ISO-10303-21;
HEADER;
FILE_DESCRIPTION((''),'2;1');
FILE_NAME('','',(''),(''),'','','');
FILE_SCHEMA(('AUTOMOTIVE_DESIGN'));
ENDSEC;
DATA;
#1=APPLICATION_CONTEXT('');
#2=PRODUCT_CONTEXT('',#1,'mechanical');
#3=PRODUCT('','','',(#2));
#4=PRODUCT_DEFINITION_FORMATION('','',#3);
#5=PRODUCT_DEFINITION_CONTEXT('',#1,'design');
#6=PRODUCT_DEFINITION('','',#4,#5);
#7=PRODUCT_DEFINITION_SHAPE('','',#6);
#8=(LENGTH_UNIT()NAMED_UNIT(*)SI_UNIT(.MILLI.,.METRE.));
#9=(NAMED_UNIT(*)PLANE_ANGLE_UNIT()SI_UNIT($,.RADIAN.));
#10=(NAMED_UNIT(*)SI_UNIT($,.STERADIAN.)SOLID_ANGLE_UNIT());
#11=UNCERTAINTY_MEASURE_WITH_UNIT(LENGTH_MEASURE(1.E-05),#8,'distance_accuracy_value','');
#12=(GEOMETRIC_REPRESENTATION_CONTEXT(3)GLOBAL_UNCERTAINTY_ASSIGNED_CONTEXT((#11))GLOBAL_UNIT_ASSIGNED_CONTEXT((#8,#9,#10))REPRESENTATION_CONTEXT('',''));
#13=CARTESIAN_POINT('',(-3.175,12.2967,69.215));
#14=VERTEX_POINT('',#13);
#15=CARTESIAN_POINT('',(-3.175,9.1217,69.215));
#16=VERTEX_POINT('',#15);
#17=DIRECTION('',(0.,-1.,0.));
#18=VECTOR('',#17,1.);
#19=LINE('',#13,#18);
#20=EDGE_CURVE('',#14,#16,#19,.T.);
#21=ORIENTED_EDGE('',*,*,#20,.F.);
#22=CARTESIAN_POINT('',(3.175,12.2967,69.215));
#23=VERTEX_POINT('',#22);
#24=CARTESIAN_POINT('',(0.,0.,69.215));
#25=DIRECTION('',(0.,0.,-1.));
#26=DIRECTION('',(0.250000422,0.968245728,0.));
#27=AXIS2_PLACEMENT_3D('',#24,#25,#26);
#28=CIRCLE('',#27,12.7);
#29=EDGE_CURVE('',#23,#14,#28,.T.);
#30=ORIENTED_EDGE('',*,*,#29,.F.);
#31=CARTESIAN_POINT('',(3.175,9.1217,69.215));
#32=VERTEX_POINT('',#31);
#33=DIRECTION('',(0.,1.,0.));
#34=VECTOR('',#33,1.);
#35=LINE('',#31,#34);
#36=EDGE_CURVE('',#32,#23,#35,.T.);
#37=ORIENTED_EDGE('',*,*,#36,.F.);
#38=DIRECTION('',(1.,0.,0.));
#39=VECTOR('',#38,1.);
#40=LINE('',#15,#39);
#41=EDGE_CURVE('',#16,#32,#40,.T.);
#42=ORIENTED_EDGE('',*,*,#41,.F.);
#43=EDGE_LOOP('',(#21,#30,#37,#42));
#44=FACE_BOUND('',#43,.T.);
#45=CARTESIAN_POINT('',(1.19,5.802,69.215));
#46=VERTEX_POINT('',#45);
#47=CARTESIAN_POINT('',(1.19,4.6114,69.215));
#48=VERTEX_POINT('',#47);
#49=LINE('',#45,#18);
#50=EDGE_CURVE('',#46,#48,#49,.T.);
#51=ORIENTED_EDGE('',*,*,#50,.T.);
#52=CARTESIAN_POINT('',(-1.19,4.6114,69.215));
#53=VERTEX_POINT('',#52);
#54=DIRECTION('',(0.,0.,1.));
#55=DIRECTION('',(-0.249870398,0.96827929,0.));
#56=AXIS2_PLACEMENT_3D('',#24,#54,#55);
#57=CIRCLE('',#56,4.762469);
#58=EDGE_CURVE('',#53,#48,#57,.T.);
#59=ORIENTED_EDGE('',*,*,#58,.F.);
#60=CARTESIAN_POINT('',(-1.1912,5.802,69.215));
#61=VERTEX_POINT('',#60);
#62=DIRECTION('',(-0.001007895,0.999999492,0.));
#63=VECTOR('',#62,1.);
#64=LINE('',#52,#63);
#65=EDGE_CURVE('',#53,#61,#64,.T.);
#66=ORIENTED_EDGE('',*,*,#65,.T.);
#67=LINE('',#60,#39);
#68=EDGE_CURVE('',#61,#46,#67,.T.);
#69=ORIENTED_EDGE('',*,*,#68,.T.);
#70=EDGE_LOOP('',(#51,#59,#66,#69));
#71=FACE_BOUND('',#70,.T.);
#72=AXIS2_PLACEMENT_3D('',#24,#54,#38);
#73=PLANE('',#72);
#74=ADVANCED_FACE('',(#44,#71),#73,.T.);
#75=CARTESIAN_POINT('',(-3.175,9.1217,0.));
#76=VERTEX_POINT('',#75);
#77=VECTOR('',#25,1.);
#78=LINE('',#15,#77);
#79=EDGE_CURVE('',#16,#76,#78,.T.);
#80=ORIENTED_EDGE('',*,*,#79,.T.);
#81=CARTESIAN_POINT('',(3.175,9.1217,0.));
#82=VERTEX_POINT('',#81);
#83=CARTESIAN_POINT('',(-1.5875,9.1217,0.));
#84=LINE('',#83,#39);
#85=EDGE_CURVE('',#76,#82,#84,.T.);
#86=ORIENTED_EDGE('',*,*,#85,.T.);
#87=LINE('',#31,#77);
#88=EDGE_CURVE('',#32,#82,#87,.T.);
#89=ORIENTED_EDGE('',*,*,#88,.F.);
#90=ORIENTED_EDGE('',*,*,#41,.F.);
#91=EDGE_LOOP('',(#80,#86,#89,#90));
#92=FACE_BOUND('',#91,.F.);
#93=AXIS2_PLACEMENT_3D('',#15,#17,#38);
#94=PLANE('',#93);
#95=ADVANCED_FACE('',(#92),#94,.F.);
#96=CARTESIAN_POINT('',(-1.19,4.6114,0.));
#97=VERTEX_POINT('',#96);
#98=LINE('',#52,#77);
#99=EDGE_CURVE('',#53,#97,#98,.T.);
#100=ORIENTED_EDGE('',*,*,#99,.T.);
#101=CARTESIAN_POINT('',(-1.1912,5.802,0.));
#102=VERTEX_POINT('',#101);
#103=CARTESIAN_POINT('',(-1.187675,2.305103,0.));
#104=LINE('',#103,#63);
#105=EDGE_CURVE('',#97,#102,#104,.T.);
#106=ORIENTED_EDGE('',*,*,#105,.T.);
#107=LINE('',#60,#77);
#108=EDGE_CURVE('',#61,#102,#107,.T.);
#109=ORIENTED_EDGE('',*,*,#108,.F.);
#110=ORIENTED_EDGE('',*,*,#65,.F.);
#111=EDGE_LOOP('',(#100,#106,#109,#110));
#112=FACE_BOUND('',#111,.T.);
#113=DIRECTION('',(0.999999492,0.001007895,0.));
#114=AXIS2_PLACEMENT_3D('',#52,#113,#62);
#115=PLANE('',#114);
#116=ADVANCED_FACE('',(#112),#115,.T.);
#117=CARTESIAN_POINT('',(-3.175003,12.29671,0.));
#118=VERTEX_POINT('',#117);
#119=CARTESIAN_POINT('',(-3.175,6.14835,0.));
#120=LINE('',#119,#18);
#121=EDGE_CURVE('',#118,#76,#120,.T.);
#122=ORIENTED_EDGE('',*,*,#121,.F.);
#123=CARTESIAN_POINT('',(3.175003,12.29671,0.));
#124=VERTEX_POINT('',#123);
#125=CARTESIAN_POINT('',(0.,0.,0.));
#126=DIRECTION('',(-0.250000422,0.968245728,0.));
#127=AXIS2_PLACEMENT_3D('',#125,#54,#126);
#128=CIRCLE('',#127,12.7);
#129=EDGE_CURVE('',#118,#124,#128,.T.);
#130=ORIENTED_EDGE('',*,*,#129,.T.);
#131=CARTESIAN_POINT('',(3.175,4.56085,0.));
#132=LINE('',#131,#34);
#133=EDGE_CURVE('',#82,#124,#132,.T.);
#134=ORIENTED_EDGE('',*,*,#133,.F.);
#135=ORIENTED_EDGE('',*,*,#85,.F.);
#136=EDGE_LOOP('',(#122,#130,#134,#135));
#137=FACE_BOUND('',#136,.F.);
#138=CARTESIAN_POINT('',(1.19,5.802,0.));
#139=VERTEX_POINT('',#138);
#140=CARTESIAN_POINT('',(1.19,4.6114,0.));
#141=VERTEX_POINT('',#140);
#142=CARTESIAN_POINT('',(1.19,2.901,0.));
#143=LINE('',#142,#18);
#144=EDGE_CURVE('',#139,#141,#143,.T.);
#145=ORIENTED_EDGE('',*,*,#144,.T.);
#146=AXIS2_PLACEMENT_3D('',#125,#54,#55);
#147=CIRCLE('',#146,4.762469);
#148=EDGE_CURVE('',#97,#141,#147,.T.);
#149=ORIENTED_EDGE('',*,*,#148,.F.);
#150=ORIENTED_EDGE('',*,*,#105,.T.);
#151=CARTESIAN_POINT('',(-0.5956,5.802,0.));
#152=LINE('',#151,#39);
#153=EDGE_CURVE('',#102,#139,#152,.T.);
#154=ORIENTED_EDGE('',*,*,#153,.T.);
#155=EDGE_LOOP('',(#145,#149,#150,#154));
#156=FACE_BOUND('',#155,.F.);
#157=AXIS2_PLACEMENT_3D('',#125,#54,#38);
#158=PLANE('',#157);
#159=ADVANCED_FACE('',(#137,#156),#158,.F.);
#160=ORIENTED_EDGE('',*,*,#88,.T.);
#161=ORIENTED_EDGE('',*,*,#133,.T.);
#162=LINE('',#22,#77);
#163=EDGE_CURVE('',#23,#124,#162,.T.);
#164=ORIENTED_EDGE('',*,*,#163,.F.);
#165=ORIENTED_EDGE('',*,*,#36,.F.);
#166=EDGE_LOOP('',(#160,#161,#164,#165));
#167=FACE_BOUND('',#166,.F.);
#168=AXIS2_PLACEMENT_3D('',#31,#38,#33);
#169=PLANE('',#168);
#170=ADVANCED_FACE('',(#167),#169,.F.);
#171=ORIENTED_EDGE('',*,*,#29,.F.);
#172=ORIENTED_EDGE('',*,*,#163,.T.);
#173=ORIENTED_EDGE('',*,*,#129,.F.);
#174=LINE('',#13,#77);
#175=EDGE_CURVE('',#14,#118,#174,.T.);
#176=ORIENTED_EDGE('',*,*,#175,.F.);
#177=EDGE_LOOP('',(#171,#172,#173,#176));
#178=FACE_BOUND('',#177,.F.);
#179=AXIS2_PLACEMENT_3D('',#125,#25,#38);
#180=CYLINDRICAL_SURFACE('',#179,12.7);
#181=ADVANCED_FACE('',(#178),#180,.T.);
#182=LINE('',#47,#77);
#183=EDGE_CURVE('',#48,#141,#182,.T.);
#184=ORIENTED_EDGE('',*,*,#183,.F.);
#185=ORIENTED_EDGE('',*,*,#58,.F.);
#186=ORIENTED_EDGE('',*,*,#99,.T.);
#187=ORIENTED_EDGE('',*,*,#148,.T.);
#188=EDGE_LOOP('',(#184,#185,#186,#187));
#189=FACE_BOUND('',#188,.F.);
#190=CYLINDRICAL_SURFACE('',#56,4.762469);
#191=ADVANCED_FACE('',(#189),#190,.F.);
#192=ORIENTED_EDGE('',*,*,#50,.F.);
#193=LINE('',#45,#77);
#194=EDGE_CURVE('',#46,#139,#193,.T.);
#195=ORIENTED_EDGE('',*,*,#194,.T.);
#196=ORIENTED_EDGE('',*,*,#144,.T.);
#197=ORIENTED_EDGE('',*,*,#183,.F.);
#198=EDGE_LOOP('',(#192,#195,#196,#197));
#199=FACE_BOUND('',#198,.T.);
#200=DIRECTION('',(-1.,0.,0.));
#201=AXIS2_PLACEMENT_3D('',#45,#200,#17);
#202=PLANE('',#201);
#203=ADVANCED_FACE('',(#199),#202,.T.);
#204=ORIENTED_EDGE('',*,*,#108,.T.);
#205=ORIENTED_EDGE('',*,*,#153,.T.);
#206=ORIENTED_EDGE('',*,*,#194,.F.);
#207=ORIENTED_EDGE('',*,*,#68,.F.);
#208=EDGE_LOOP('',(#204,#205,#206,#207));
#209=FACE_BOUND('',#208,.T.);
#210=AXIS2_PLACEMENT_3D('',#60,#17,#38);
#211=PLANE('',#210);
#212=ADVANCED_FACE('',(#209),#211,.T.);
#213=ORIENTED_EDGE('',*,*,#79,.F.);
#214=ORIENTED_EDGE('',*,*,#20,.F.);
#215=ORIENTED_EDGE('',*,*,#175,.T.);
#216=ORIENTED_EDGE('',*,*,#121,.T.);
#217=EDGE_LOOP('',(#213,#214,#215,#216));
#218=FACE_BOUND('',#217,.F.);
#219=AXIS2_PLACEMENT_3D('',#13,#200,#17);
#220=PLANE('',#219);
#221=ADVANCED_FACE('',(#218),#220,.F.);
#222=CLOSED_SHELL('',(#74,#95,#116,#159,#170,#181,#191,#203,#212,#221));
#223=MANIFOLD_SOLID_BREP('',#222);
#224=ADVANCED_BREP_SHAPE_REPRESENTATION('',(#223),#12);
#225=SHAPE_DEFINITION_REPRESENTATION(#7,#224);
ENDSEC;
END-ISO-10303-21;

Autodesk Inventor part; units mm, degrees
ref_plane "YZ Plane" through (0, 0, 0) normal (1, 0, 0) x (0, 1, 0)
ref_plane "XZ Plane" through (0, 0, 0) normal (0, 1, 0) x (-1, 0, 0)
ref_plane "XY Plane" through (0, 0, 0) normal (0, 0, 1) x (1, 0, 0)
sketch "Sketch1" plane through (0, 0, 0) normal (0, 0, 1) x (1, 0, 0)
  circle A0 centre (0, 0) radius 12.7
  dimension "d0" = 25.4
extrude "Extrusion1" add sketch "Sketch1" along normal blind 69.215
sketch "Sketch2" plane through (0, 0, 69.215) normal (0, 0, 1) x (1, 0, 0)
  circle A0 centre (0, 0) radius 12.7 projected
  line L0 (0, 0) -> (-3.6945, 0)
  line L1 (1.19, 5.802) -> (1.19, 4.6114)
  arc A1 (-1.19, 4.6114) -> (1.19, 4.6114) centre (0, 0) ccw
  line L2 (-1.19, 4.6114) -> (-1.1912, 4.6114)
  line L3 (-1.1912, 4.6114) -> (-1.1912, 5.802)
  line L4 (-1.1912, 5.802) -> (1.19, 5.802)
extrude "Extrusion2" cut sketch "Sketch2" against normal blind 69.469 contours L1 A1 L3 L4
sketch "Sketch3" plane through (0, 0, 69.215) normal (0, 0, 1) x (1, 0, 0)
  line L0 (-1.1912, 4.6114) -> (-1.1912, 5.802) projected
  circle A0 centre (0, 0) radius 12.7 projected
  line L1 (0, 0) -> (-3.175, 0)
  line L2 (-3.175, 12.2967) -> (-3.175, 9.1217)
  line L3 (-3.175, 9.1217) -> (3.175, 9.1217)
  line L4 (3.175, 9.1217) -> (3.175, 12.2967)
  dimension "d5" = 3.175
  dimension "d6" = 3.175
  dimension "d7" = 6.35
extrude "Extrusion3" cut sketch "Sketch3" against normal blind 69.469 contours L4 L3 L2 A0 picked at (-0.3561, 10.2995)
properties part number "winch insert" material "Aluminum 6061"
